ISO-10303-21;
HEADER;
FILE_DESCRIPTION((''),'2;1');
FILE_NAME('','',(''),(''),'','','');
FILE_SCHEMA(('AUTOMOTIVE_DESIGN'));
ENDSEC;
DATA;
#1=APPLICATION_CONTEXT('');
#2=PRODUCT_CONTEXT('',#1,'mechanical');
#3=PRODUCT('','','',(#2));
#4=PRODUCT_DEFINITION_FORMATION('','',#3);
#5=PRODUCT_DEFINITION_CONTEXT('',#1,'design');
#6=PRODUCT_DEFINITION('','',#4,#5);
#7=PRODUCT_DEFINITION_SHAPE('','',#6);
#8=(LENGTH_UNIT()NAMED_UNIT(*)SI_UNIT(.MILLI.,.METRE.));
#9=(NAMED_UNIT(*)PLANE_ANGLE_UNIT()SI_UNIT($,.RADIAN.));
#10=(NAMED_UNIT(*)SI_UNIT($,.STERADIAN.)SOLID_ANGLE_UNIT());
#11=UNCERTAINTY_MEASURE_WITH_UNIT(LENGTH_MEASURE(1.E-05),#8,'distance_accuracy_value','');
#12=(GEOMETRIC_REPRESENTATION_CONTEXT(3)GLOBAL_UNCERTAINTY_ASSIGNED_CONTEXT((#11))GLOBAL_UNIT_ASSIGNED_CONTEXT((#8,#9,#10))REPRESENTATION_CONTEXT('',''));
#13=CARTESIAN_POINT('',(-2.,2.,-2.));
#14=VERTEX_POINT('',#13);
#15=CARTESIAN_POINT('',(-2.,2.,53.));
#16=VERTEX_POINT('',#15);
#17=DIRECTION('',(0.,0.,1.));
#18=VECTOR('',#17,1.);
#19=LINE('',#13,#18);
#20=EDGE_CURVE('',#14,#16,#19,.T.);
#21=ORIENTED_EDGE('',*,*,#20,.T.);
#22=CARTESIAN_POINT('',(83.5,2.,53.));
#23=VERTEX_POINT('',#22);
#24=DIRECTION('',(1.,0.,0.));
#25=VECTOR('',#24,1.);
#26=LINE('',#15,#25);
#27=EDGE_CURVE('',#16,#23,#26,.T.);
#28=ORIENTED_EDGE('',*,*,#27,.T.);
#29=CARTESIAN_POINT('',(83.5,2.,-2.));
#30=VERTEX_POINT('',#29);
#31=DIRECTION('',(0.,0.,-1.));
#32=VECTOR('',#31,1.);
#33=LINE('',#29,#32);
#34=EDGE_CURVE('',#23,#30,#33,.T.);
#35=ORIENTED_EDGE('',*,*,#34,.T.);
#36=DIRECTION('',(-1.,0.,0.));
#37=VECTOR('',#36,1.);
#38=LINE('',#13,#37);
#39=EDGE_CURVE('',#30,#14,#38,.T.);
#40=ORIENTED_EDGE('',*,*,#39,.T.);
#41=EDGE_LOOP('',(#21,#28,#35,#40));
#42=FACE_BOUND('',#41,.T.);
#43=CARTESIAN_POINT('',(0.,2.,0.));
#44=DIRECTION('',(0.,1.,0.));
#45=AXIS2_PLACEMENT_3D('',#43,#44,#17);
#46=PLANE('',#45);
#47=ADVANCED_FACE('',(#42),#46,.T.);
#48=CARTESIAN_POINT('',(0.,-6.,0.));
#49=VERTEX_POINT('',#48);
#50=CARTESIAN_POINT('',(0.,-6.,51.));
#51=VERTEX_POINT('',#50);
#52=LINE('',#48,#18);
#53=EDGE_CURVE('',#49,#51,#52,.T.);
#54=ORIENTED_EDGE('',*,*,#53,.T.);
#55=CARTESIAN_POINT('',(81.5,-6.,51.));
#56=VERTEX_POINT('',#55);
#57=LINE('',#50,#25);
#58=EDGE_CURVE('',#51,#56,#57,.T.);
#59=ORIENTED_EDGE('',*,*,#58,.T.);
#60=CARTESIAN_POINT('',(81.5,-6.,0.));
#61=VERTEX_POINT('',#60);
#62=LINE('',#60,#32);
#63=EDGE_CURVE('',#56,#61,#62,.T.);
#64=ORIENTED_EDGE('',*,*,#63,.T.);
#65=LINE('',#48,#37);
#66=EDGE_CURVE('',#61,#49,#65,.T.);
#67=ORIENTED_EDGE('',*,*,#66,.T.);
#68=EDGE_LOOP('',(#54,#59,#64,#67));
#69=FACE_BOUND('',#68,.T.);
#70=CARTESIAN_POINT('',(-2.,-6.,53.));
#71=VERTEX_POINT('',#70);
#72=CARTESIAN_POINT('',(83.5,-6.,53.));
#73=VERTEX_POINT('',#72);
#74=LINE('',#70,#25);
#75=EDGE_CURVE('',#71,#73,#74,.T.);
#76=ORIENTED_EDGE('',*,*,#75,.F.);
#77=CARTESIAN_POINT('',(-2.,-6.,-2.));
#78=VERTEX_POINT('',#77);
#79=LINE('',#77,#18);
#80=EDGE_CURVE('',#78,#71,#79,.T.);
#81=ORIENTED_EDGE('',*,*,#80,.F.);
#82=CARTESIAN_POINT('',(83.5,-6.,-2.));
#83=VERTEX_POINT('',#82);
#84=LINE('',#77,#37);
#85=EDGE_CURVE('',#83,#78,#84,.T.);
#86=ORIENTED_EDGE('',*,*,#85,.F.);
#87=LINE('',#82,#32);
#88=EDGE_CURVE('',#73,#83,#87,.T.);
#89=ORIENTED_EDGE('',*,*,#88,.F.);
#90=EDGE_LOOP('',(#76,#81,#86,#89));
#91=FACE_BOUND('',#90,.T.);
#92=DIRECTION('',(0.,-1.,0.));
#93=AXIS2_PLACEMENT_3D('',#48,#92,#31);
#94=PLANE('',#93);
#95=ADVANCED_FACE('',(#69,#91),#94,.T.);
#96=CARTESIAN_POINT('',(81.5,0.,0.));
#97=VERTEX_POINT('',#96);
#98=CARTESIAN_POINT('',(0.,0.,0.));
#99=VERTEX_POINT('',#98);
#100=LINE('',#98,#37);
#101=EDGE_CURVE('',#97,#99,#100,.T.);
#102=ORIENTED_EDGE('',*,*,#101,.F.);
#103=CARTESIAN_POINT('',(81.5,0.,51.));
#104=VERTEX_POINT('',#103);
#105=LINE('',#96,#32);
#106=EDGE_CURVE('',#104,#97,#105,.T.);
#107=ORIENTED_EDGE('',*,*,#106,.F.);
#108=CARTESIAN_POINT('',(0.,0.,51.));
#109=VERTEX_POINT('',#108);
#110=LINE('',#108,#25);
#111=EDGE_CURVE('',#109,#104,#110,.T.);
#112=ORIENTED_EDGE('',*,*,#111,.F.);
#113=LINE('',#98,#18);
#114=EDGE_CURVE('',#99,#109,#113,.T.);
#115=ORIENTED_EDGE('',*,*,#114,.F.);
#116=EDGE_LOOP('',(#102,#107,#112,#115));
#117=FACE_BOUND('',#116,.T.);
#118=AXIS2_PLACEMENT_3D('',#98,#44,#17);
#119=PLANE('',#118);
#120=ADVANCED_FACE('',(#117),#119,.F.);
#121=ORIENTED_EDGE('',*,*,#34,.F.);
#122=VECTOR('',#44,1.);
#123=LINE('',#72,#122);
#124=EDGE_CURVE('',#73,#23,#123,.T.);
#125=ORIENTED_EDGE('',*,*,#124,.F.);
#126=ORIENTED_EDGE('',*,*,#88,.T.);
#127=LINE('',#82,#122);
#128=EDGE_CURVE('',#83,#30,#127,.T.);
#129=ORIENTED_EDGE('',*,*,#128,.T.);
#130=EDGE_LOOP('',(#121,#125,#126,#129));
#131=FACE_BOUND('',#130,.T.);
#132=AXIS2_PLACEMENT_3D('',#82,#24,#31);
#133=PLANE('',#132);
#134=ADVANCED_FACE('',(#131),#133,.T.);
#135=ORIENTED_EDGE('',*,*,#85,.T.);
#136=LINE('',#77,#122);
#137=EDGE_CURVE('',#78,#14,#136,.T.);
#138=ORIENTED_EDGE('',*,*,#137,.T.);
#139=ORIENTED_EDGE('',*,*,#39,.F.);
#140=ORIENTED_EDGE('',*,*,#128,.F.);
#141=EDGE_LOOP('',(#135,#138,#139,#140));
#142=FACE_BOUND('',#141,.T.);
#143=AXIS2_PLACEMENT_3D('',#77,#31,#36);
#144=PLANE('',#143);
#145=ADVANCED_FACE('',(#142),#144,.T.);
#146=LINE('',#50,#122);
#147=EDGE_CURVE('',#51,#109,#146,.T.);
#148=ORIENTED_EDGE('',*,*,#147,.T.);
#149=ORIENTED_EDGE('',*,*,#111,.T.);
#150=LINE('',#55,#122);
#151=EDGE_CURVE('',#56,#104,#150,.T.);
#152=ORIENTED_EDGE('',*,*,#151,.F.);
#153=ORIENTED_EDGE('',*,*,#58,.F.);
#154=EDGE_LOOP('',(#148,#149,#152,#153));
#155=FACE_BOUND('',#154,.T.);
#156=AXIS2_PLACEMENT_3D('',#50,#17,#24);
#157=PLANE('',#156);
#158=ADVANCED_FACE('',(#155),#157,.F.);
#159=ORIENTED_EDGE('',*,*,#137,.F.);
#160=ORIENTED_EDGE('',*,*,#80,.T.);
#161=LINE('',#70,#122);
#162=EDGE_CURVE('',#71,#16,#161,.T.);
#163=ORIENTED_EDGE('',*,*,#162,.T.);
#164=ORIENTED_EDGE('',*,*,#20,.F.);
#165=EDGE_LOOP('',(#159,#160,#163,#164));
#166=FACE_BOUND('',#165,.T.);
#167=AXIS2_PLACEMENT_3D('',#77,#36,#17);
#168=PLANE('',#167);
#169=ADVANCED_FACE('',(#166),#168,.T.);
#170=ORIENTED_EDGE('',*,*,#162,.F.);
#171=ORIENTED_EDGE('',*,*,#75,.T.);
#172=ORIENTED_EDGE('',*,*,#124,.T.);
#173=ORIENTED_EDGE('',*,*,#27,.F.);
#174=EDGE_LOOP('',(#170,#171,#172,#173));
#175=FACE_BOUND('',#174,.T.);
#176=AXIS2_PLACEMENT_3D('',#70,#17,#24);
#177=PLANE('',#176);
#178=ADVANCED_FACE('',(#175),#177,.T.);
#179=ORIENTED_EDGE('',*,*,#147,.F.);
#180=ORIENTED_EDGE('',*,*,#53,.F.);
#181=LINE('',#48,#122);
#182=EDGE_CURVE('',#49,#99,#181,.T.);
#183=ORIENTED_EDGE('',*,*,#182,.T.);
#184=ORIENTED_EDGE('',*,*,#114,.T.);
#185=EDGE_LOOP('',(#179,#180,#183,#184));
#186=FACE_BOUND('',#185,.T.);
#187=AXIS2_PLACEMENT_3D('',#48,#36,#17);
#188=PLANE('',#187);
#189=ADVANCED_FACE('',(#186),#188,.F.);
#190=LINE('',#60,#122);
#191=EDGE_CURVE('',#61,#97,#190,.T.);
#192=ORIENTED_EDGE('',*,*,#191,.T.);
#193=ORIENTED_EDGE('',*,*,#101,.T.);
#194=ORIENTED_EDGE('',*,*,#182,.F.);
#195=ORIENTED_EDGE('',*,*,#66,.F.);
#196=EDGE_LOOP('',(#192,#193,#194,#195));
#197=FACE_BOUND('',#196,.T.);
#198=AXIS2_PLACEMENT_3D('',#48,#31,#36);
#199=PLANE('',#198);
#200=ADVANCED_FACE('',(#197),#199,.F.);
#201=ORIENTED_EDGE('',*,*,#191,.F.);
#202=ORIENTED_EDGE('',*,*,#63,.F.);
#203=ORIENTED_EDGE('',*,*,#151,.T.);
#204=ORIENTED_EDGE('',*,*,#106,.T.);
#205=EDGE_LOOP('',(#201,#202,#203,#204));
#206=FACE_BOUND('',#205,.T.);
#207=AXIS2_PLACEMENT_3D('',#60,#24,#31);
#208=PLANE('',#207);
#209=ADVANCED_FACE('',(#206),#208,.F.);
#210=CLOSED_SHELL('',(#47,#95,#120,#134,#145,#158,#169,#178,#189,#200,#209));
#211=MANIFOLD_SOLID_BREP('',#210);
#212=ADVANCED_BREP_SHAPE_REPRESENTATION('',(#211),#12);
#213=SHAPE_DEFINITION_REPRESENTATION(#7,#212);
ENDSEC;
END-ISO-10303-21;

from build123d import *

# Parameters (mm, degrees)
SKETCH1_W           = 81.5
SKETCH1_H           = 51
BOSS_EXTRUDE1_DEPTH = 2
SKETCH2_W           = 85.5
SKETCH2_H           = 55
SKETCH2_W_2         = 81.5
SKETCH2_H_2         = 51
BOSS_EXTRUDE2_DEPTH = 8


with BuildPart() as part:
    # Sketch1 → Boss-Extrude1 (new body)
    with BuildSketch(Plane(origin=(0, 0, 0), x_dir=(1, 0, 0), z_dir=(0, 1, 0))):
        with Locations((40.75, -25.5)):
            Rectangle(SKETCH1_W, SKETCH1_H)
    extrude(amount=BOSS_EXTRUDE1_DEPTH)

    # Sketch2 → Boss-Extrude2 (add)
    with BuildSketch(Plane(origin=(0, 2, 0), x_dir=(1, 0, 0), z_dir=(0, 1, 0))):
        with Locations((40.75, -25.5)):
            Rectangle(SKETCH2_W, SKETCH2_H)
        with Locations((40.75, -25.5)):
            Rectangle(SKETCH2_W_2, SKETCH2_H_2, mode=Mode.SUBTRACT)
    extrude(amount=-BOSS_EXTRUDE2_DEPTH)


solid = part.part
